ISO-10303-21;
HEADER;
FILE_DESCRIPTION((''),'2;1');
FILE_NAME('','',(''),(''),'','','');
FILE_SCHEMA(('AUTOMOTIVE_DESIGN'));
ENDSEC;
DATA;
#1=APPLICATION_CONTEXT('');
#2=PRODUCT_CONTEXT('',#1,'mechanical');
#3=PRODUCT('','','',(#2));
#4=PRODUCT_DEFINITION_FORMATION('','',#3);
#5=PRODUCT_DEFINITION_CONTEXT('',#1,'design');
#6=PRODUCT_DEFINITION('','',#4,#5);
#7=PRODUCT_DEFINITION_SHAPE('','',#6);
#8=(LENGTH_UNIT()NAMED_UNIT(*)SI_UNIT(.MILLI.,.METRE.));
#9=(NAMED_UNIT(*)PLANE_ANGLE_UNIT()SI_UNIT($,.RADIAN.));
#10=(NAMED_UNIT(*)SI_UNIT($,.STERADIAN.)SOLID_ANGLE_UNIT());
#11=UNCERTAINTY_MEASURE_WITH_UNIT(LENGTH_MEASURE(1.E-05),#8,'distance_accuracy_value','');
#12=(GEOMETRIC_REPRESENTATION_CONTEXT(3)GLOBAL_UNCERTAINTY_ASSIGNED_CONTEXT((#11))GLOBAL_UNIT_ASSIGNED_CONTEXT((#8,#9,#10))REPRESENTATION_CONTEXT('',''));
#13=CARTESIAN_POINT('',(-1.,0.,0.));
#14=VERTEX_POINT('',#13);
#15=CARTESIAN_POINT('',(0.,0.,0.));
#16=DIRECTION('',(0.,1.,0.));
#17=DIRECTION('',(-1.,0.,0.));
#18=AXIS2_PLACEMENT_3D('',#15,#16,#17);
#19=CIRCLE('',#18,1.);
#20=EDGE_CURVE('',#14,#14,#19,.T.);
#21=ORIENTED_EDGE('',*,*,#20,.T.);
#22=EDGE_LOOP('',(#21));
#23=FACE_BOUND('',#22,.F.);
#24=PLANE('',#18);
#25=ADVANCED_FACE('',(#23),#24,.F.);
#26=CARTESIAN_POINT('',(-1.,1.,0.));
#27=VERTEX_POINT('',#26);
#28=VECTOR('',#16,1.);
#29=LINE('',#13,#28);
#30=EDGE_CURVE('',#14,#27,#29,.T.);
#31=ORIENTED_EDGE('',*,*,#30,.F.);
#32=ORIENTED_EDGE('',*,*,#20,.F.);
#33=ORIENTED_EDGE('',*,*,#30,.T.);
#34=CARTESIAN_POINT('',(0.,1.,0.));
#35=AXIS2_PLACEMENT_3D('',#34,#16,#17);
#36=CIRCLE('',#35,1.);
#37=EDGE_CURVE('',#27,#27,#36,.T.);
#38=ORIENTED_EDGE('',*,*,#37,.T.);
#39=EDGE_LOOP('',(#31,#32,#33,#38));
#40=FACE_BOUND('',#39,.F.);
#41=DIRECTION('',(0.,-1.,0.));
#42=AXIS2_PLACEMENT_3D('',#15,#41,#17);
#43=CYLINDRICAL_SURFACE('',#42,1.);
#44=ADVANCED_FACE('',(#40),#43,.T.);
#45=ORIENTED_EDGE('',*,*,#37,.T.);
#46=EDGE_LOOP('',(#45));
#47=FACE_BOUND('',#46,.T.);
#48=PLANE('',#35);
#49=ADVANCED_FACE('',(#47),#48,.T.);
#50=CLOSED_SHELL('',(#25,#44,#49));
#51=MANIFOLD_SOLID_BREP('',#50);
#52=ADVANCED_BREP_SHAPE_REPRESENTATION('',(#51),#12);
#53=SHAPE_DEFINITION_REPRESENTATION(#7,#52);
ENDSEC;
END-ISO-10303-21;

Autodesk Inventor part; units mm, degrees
ref_plane "YZ Plane" through (0, 0, 0) normal (1, 0, 0) x (0, 1, 0)
ref_plane "XZ Plane" through (0, 0, 0) normal (0, 1, 0) x (-1, 0, 0)
ref_plane "XY Plane" through (0, 0, 0) normal (0, 0, 1) x (1, 0, 0)
sketch "Esboço1" plane through (0, 0, 0) normal (0, 0, 1) x (1, 0, 0)
  point P0 (0, 0)
sketch "Esboço2" plane through (0, 0, 0) normal (0, 1, 0) x (-1, 0, 0)
  point P0 (0, 0)
sketch "Esboço3" plane through (0, 0, 0) normal (0, 1, 0) x (-1, 0, 0)
  circle A0 centre (0, 0) radius 1
  dimension "d0" = 2
extrude "Extrusão1" add sketch "Esboço3" along normal blind 1
